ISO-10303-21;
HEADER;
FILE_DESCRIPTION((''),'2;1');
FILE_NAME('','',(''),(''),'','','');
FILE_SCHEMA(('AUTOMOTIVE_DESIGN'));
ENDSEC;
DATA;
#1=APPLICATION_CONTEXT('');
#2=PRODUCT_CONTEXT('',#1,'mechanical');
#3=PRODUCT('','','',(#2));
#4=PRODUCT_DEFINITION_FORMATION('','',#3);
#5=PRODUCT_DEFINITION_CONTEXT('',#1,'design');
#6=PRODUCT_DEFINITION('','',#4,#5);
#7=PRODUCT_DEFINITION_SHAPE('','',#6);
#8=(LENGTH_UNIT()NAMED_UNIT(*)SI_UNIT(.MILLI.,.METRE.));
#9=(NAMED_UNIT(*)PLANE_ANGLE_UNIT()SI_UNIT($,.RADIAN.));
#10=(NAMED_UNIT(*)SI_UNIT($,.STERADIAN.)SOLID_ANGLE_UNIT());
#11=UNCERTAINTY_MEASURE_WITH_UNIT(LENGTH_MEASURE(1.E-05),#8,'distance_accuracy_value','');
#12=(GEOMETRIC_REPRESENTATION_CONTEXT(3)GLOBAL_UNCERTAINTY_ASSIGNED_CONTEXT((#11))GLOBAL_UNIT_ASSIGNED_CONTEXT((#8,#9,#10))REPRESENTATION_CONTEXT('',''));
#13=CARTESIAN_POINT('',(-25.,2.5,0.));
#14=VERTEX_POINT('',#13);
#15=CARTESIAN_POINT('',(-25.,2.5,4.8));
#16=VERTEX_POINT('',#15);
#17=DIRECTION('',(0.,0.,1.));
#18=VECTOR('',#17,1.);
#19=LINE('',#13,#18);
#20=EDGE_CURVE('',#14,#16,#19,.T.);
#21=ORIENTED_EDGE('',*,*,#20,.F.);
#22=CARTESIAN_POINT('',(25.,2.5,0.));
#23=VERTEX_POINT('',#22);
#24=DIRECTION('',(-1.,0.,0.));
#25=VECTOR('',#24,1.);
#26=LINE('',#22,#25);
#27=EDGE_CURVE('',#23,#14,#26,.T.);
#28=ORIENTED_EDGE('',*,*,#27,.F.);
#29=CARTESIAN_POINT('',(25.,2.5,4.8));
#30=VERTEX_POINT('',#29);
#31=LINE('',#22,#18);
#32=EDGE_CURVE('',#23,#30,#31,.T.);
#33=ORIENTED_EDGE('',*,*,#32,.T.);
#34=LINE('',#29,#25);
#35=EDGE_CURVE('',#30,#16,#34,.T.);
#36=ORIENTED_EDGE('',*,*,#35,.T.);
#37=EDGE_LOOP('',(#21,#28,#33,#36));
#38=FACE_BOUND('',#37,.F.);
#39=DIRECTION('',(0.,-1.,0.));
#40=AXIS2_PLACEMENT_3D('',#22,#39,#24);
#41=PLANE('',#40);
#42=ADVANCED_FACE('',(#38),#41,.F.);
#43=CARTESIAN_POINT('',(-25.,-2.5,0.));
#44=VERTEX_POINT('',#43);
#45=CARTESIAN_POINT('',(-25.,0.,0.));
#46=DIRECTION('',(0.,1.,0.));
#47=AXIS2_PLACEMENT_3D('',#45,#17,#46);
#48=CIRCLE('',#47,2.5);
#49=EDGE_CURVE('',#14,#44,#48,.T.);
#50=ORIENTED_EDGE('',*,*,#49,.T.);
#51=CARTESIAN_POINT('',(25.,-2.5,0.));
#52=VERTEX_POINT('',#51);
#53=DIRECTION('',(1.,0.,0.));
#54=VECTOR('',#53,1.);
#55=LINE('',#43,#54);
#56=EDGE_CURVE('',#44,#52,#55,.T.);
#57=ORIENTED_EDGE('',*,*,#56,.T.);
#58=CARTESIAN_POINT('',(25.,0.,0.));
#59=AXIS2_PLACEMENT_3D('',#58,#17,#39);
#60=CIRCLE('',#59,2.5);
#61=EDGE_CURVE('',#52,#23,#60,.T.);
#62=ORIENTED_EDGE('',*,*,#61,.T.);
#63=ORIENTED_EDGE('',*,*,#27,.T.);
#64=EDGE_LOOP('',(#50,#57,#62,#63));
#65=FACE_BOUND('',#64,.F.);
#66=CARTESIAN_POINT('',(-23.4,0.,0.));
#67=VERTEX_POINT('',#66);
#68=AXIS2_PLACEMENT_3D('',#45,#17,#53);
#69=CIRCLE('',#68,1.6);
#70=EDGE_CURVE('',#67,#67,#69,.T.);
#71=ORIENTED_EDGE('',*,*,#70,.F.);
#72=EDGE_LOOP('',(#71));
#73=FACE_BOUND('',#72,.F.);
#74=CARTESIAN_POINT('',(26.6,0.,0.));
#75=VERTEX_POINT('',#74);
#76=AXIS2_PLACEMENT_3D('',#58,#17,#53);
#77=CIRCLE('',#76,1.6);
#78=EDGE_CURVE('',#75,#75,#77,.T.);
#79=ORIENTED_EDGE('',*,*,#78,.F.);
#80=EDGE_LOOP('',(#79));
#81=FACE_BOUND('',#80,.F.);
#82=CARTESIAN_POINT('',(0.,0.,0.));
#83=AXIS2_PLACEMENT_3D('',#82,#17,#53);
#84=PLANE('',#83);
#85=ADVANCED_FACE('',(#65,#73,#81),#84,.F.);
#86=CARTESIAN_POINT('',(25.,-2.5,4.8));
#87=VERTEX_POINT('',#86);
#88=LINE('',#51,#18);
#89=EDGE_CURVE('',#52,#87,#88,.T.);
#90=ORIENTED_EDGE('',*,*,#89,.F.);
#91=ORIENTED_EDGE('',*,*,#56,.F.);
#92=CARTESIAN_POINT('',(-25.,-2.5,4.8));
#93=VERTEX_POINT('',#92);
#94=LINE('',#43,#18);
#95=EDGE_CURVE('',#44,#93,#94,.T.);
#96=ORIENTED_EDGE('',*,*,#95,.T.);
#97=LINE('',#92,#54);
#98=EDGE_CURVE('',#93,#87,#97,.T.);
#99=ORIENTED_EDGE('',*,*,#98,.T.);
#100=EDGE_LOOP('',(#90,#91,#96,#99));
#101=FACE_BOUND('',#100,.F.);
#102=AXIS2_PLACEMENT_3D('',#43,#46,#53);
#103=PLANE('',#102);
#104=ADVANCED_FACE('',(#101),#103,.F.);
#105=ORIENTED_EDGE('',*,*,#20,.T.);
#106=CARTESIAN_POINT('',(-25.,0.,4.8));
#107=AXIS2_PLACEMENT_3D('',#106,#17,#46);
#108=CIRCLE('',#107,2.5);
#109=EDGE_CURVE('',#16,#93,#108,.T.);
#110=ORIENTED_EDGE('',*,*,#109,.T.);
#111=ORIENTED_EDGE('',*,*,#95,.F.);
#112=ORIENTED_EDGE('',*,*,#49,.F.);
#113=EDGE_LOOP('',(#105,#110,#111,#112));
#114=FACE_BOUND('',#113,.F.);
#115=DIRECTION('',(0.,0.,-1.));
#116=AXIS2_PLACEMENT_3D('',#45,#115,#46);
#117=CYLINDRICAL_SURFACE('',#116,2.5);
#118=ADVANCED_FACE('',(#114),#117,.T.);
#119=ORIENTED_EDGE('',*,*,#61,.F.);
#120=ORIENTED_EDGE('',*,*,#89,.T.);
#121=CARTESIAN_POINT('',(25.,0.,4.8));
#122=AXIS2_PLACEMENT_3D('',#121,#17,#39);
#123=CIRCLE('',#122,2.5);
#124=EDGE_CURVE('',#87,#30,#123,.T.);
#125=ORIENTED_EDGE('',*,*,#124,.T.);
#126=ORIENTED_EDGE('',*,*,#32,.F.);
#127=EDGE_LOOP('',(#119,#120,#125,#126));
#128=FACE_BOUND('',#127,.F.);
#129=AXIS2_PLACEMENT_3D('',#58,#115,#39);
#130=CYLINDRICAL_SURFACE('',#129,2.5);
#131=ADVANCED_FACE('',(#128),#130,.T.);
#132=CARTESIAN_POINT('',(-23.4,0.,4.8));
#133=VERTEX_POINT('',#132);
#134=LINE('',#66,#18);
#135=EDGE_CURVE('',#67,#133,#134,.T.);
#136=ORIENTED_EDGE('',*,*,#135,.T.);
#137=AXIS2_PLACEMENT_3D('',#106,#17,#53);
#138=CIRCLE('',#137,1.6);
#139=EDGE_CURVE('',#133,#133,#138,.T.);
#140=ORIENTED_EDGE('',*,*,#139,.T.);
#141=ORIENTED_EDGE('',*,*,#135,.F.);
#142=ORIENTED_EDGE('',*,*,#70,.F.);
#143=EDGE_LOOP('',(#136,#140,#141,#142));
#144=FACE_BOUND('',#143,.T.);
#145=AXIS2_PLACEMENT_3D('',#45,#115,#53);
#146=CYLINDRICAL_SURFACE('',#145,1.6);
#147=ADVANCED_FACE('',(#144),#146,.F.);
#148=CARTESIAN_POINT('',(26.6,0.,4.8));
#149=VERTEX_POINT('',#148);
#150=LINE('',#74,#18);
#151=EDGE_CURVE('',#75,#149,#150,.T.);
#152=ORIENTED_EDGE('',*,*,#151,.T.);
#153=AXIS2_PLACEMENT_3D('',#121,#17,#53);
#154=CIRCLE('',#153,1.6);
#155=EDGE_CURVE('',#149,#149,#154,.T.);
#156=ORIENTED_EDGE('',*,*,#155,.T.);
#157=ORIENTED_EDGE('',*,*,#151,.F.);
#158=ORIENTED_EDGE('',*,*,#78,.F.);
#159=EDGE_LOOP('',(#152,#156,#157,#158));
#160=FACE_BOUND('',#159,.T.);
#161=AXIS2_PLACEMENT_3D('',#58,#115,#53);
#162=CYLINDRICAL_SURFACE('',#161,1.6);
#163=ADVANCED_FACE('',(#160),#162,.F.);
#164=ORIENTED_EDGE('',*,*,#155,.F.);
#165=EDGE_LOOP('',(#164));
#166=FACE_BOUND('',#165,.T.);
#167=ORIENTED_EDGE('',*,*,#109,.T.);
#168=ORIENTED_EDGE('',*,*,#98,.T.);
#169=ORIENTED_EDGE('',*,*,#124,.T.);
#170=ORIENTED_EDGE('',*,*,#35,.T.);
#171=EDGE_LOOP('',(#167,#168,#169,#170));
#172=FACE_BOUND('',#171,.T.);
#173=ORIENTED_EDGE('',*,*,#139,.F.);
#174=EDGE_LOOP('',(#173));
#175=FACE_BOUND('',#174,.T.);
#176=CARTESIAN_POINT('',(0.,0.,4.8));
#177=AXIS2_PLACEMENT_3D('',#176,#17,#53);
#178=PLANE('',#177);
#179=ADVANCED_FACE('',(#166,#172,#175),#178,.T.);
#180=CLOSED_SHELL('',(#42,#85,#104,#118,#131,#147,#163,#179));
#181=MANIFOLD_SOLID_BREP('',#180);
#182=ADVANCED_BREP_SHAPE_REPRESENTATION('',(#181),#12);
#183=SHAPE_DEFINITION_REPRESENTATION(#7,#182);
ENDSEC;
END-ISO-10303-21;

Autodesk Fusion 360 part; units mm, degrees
sketch "스케치1" plane through (0, 0, 0) normal (0, 0, 1) x (1, 0, 0)
  line L0 (-25, -2.5) -> (25, -2.5)
  arc A0 (25, -2.5) -> (25, 2.5) centre (25, 0) ccw
  line L1 (25, 2.5) -> (-25, 2.5)
  arc A1 (-25, 2.5) -> (-25, -2.5) centre (-25, 0) ccw
  line L2 (-25, 0) -> (25, 0) construction
  circle A2 centre (25, 0) radius 1.6
  circle A3 centre (-25, 0) radius 1.6
  dimension "d1" = 5
  dimension "d2" = 3.2
  dimension "d3" = 3.2
extrude "돌출1" add sketch "스케치1" along normal blind 4.8
